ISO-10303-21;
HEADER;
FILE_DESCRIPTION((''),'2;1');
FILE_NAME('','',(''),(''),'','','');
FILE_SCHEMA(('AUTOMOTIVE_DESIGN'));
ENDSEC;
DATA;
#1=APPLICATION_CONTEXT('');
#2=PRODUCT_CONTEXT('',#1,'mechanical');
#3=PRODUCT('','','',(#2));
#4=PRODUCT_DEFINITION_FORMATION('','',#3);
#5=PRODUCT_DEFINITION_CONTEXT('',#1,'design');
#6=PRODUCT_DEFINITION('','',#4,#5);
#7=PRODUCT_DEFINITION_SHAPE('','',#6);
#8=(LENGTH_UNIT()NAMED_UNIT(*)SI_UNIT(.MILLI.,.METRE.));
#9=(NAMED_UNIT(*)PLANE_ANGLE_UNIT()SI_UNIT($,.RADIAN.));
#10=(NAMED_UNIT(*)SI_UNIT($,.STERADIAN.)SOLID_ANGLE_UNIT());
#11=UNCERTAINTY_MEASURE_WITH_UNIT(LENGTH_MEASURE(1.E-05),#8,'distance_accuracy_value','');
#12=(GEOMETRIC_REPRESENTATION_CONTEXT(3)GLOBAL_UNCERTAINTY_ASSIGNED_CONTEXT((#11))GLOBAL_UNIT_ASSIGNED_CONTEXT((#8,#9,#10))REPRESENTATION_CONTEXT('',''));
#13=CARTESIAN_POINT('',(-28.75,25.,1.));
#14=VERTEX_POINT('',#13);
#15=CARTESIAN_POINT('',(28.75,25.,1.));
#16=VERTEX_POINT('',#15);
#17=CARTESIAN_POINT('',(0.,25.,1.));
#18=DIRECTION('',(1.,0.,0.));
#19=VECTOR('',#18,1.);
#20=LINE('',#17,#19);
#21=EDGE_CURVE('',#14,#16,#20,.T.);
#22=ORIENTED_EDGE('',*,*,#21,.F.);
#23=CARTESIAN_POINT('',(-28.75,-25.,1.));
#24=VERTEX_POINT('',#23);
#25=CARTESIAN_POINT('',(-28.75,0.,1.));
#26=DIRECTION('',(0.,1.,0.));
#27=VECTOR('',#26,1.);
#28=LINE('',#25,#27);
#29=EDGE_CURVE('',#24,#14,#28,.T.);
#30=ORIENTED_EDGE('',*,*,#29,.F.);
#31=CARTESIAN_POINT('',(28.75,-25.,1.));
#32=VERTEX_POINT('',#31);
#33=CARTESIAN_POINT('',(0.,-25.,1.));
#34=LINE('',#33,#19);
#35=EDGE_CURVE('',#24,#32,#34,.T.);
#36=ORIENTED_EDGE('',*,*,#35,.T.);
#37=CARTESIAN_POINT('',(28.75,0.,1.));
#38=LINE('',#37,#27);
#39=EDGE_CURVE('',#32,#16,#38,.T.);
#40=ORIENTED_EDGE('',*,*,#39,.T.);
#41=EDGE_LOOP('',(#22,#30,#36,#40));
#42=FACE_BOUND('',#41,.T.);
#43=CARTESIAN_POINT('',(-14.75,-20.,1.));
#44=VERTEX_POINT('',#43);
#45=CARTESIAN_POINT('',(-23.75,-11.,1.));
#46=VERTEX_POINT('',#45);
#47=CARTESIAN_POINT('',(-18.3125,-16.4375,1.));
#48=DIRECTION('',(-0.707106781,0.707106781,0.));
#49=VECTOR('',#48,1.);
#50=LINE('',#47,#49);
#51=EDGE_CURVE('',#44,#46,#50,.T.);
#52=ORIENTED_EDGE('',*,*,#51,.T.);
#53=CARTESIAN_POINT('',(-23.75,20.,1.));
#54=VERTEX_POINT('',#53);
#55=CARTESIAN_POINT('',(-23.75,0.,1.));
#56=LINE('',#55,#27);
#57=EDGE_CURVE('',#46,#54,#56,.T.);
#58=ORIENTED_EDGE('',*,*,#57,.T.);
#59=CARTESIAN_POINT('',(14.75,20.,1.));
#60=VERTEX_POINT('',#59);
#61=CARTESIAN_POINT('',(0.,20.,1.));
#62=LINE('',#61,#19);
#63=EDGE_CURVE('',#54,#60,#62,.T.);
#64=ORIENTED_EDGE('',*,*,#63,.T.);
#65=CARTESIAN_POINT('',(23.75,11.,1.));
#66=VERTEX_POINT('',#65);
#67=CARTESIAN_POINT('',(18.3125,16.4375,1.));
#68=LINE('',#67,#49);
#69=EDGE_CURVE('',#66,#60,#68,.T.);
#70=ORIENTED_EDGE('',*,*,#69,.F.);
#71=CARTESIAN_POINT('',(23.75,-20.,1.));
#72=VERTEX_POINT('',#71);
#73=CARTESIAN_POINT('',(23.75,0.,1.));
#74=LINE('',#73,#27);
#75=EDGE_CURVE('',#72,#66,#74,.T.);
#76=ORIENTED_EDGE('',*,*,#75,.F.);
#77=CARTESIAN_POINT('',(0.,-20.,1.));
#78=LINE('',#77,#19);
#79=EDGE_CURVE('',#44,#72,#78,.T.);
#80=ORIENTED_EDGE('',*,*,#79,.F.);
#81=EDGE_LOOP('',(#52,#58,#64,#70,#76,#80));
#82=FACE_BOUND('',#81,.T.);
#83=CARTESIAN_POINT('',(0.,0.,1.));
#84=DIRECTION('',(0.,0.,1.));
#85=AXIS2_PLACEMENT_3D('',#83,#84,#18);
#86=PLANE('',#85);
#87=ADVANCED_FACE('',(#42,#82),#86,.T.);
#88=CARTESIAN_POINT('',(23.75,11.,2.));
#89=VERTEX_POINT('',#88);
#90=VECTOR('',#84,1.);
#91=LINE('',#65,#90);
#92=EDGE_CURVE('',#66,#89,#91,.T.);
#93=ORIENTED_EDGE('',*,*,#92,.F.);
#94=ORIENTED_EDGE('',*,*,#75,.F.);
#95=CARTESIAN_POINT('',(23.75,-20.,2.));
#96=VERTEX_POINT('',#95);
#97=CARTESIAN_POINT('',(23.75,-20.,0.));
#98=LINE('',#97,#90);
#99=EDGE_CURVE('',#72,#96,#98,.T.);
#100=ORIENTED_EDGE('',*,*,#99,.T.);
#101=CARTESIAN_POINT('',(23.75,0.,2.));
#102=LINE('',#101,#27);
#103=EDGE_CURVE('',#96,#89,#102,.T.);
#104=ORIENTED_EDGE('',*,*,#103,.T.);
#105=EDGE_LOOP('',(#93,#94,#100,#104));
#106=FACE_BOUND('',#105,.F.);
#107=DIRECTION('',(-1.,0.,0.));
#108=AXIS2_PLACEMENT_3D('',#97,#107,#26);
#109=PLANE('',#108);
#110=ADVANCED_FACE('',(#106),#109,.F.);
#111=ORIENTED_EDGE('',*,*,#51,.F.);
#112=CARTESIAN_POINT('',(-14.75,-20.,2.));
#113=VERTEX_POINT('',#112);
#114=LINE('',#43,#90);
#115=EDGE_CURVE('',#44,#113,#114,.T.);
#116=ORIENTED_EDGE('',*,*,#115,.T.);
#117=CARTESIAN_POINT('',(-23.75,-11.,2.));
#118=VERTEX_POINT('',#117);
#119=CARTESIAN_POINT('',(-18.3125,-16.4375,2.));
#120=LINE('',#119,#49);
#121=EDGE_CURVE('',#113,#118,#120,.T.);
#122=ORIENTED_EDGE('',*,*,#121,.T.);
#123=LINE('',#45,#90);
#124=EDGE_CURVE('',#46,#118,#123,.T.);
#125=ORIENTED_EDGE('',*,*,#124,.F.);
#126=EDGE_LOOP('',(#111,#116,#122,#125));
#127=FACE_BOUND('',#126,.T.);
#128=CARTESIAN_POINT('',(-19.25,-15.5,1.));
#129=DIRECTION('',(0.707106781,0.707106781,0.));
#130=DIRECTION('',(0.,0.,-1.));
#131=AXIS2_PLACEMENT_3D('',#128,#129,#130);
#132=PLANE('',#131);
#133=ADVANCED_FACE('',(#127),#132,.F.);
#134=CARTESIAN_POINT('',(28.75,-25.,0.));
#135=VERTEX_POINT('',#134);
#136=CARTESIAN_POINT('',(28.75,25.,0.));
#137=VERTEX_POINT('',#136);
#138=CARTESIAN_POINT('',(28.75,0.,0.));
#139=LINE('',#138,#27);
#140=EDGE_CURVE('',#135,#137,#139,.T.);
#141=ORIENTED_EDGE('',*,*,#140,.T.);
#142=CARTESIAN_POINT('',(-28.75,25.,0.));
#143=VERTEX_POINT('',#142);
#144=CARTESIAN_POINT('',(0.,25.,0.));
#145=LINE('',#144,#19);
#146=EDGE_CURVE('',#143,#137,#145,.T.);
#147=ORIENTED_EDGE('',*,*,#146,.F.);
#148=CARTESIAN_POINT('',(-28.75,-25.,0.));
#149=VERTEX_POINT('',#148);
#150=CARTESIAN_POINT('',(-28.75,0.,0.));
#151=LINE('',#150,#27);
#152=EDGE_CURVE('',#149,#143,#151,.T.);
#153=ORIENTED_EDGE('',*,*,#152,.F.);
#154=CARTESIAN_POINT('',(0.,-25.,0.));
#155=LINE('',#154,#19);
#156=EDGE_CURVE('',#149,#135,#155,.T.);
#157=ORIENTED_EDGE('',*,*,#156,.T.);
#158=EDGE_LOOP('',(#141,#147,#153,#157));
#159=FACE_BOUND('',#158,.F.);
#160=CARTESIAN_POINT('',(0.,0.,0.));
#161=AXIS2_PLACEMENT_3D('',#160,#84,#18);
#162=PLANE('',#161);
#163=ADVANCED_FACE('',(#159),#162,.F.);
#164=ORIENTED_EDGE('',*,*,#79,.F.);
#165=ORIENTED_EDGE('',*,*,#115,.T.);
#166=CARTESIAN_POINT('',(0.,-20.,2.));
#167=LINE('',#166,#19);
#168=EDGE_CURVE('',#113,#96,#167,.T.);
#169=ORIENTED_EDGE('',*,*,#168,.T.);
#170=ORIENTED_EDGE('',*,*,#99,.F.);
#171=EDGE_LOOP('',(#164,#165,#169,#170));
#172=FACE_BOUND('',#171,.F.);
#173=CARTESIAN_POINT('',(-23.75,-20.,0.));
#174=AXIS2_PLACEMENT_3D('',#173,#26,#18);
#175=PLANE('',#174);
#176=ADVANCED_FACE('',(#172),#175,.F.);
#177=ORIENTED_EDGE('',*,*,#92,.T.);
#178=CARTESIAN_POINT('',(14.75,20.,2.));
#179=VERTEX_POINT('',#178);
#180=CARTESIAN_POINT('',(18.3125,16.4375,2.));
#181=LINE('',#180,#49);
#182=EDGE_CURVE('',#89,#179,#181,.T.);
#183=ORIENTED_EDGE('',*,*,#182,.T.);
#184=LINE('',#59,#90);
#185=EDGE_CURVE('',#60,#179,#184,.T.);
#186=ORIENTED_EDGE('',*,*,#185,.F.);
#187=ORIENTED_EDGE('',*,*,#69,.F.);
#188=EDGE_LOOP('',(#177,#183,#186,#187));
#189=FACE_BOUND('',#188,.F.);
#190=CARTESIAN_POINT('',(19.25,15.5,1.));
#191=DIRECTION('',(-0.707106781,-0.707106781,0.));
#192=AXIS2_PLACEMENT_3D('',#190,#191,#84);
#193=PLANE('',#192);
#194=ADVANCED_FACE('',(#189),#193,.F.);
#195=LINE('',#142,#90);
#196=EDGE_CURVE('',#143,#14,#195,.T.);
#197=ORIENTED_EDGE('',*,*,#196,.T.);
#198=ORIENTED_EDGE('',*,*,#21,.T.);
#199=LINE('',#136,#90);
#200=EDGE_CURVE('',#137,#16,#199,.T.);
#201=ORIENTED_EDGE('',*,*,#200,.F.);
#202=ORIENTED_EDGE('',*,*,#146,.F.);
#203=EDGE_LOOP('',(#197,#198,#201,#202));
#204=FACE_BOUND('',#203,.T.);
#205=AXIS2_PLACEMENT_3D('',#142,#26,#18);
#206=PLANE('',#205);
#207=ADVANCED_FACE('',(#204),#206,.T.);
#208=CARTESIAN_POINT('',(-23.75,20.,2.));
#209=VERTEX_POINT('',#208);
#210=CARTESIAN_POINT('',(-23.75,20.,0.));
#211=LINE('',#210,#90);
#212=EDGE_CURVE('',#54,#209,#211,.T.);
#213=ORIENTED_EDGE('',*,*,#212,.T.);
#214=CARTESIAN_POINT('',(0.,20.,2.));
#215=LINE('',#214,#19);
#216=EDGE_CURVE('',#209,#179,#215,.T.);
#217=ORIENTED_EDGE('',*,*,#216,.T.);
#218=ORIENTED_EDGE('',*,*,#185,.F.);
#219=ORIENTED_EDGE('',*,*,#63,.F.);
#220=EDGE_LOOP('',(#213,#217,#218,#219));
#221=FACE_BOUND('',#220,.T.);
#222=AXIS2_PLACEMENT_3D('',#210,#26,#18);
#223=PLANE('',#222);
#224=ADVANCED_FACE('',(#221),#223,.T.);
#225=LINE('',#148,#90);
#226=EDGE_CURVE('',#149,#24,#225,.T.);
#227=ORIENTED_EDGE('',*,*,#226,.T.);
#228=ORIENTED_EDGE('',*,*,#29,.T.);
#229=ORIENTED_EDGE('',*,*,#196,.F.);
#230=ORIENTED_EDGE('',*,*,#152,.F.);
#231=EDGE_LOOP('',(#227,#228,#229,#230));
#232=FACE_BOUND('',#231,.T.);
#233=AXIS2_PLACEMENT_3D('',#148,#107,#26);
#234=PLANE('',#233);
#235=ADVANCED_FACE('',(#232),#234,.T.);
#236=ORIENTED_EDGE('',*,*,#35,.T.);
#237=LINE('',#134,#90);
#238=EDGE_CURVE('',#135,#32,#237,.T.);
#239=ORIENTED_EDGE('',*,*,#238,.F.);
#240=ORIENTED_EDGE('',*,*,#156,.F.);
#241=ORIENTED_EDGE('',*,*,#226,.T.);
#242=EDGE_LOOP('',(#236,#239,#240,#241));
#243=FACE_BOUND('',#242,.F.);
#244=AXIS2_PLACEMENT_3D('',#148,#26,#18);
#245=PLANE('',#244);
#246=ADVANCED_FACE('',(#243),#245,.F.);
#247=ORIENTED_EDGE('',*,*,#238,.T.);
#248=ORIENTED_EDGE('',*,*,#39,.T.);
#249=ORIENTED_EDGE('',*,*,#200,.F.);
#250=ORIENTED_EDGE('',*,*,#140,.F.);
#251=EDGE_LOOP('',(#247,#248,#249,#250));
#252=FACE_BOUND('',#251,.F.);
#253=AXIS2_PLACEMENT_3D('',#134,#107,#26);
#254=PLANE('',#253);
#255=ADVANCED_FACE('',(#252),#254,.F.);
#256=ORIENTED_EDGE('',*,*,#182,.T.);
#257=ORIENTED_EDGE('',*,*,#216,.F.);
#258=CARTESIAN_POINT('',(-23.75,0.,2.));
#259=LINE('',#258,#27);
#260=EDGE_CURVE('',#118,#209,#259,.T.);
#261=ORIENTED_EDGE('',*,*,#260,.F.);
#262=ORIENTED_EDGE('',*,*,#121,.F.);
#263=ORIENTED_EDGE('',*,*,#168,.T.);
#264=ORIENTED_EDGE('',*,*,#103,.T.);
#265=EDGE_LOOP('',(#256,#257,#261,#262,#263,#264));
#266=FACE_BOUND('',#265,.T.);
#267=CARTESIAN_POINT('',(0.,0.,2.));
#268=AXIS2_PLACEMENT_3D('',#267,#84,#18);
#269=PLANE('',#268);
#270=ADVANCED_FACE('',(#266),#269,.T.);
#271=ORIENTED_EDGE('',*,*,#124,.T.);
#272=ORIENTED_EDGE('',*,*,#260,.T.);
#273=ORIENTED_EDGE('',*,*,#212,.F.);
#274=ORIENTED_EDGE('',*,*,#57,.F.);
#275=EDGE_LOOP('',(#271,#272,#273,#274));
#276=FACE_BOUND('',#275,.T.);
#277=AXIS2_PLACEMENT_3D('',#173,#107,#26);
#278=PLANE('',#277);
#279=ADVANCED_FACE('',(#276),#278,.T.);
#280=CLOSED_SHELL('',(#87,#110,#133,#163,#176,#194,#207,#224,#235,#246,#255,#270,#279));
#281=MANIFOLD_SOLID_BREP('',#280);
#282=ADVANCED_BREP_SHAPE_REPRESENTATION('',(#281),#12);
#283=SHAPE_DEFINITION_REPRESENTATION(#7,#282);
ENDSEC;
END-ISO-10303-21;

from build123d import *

# Parameters (mm, degrees)
F0_W     = 47.5
F0_H     = 40
F1_DEPTH = 2
F0_W_2   = 57.5
F0_H_2   = 50
F2_DEPTH = 1
F3_SIZE  = 9


with BuildPart() as f1:
    # F0 (on Top) → F1 (new body)
    with BuildSketch(Plane.XY):
        Rectangle(F0_W, F0_H)
    extrude(amount=F1_DEPTH)

    # F0 (on Top) → F2 (join)
    with BuildSketch(Plane.XY):
        Rectangle(F0_W_2, F0_H_2)
        Rectangle(F0_W, F0_H, mode=Mode.SUBTRACT)
    extrude(amount=F2_DEPTH)

    # F3
    f3_edges = [f1.edges().sort_by_distance(p)[0] for p in [
        (-23.75, -20, 1.5),
        (23.75, 20, 1.5),
    ]]
    chamfer(f3_edges, length=F3_SIZE)


solid = f1.part
